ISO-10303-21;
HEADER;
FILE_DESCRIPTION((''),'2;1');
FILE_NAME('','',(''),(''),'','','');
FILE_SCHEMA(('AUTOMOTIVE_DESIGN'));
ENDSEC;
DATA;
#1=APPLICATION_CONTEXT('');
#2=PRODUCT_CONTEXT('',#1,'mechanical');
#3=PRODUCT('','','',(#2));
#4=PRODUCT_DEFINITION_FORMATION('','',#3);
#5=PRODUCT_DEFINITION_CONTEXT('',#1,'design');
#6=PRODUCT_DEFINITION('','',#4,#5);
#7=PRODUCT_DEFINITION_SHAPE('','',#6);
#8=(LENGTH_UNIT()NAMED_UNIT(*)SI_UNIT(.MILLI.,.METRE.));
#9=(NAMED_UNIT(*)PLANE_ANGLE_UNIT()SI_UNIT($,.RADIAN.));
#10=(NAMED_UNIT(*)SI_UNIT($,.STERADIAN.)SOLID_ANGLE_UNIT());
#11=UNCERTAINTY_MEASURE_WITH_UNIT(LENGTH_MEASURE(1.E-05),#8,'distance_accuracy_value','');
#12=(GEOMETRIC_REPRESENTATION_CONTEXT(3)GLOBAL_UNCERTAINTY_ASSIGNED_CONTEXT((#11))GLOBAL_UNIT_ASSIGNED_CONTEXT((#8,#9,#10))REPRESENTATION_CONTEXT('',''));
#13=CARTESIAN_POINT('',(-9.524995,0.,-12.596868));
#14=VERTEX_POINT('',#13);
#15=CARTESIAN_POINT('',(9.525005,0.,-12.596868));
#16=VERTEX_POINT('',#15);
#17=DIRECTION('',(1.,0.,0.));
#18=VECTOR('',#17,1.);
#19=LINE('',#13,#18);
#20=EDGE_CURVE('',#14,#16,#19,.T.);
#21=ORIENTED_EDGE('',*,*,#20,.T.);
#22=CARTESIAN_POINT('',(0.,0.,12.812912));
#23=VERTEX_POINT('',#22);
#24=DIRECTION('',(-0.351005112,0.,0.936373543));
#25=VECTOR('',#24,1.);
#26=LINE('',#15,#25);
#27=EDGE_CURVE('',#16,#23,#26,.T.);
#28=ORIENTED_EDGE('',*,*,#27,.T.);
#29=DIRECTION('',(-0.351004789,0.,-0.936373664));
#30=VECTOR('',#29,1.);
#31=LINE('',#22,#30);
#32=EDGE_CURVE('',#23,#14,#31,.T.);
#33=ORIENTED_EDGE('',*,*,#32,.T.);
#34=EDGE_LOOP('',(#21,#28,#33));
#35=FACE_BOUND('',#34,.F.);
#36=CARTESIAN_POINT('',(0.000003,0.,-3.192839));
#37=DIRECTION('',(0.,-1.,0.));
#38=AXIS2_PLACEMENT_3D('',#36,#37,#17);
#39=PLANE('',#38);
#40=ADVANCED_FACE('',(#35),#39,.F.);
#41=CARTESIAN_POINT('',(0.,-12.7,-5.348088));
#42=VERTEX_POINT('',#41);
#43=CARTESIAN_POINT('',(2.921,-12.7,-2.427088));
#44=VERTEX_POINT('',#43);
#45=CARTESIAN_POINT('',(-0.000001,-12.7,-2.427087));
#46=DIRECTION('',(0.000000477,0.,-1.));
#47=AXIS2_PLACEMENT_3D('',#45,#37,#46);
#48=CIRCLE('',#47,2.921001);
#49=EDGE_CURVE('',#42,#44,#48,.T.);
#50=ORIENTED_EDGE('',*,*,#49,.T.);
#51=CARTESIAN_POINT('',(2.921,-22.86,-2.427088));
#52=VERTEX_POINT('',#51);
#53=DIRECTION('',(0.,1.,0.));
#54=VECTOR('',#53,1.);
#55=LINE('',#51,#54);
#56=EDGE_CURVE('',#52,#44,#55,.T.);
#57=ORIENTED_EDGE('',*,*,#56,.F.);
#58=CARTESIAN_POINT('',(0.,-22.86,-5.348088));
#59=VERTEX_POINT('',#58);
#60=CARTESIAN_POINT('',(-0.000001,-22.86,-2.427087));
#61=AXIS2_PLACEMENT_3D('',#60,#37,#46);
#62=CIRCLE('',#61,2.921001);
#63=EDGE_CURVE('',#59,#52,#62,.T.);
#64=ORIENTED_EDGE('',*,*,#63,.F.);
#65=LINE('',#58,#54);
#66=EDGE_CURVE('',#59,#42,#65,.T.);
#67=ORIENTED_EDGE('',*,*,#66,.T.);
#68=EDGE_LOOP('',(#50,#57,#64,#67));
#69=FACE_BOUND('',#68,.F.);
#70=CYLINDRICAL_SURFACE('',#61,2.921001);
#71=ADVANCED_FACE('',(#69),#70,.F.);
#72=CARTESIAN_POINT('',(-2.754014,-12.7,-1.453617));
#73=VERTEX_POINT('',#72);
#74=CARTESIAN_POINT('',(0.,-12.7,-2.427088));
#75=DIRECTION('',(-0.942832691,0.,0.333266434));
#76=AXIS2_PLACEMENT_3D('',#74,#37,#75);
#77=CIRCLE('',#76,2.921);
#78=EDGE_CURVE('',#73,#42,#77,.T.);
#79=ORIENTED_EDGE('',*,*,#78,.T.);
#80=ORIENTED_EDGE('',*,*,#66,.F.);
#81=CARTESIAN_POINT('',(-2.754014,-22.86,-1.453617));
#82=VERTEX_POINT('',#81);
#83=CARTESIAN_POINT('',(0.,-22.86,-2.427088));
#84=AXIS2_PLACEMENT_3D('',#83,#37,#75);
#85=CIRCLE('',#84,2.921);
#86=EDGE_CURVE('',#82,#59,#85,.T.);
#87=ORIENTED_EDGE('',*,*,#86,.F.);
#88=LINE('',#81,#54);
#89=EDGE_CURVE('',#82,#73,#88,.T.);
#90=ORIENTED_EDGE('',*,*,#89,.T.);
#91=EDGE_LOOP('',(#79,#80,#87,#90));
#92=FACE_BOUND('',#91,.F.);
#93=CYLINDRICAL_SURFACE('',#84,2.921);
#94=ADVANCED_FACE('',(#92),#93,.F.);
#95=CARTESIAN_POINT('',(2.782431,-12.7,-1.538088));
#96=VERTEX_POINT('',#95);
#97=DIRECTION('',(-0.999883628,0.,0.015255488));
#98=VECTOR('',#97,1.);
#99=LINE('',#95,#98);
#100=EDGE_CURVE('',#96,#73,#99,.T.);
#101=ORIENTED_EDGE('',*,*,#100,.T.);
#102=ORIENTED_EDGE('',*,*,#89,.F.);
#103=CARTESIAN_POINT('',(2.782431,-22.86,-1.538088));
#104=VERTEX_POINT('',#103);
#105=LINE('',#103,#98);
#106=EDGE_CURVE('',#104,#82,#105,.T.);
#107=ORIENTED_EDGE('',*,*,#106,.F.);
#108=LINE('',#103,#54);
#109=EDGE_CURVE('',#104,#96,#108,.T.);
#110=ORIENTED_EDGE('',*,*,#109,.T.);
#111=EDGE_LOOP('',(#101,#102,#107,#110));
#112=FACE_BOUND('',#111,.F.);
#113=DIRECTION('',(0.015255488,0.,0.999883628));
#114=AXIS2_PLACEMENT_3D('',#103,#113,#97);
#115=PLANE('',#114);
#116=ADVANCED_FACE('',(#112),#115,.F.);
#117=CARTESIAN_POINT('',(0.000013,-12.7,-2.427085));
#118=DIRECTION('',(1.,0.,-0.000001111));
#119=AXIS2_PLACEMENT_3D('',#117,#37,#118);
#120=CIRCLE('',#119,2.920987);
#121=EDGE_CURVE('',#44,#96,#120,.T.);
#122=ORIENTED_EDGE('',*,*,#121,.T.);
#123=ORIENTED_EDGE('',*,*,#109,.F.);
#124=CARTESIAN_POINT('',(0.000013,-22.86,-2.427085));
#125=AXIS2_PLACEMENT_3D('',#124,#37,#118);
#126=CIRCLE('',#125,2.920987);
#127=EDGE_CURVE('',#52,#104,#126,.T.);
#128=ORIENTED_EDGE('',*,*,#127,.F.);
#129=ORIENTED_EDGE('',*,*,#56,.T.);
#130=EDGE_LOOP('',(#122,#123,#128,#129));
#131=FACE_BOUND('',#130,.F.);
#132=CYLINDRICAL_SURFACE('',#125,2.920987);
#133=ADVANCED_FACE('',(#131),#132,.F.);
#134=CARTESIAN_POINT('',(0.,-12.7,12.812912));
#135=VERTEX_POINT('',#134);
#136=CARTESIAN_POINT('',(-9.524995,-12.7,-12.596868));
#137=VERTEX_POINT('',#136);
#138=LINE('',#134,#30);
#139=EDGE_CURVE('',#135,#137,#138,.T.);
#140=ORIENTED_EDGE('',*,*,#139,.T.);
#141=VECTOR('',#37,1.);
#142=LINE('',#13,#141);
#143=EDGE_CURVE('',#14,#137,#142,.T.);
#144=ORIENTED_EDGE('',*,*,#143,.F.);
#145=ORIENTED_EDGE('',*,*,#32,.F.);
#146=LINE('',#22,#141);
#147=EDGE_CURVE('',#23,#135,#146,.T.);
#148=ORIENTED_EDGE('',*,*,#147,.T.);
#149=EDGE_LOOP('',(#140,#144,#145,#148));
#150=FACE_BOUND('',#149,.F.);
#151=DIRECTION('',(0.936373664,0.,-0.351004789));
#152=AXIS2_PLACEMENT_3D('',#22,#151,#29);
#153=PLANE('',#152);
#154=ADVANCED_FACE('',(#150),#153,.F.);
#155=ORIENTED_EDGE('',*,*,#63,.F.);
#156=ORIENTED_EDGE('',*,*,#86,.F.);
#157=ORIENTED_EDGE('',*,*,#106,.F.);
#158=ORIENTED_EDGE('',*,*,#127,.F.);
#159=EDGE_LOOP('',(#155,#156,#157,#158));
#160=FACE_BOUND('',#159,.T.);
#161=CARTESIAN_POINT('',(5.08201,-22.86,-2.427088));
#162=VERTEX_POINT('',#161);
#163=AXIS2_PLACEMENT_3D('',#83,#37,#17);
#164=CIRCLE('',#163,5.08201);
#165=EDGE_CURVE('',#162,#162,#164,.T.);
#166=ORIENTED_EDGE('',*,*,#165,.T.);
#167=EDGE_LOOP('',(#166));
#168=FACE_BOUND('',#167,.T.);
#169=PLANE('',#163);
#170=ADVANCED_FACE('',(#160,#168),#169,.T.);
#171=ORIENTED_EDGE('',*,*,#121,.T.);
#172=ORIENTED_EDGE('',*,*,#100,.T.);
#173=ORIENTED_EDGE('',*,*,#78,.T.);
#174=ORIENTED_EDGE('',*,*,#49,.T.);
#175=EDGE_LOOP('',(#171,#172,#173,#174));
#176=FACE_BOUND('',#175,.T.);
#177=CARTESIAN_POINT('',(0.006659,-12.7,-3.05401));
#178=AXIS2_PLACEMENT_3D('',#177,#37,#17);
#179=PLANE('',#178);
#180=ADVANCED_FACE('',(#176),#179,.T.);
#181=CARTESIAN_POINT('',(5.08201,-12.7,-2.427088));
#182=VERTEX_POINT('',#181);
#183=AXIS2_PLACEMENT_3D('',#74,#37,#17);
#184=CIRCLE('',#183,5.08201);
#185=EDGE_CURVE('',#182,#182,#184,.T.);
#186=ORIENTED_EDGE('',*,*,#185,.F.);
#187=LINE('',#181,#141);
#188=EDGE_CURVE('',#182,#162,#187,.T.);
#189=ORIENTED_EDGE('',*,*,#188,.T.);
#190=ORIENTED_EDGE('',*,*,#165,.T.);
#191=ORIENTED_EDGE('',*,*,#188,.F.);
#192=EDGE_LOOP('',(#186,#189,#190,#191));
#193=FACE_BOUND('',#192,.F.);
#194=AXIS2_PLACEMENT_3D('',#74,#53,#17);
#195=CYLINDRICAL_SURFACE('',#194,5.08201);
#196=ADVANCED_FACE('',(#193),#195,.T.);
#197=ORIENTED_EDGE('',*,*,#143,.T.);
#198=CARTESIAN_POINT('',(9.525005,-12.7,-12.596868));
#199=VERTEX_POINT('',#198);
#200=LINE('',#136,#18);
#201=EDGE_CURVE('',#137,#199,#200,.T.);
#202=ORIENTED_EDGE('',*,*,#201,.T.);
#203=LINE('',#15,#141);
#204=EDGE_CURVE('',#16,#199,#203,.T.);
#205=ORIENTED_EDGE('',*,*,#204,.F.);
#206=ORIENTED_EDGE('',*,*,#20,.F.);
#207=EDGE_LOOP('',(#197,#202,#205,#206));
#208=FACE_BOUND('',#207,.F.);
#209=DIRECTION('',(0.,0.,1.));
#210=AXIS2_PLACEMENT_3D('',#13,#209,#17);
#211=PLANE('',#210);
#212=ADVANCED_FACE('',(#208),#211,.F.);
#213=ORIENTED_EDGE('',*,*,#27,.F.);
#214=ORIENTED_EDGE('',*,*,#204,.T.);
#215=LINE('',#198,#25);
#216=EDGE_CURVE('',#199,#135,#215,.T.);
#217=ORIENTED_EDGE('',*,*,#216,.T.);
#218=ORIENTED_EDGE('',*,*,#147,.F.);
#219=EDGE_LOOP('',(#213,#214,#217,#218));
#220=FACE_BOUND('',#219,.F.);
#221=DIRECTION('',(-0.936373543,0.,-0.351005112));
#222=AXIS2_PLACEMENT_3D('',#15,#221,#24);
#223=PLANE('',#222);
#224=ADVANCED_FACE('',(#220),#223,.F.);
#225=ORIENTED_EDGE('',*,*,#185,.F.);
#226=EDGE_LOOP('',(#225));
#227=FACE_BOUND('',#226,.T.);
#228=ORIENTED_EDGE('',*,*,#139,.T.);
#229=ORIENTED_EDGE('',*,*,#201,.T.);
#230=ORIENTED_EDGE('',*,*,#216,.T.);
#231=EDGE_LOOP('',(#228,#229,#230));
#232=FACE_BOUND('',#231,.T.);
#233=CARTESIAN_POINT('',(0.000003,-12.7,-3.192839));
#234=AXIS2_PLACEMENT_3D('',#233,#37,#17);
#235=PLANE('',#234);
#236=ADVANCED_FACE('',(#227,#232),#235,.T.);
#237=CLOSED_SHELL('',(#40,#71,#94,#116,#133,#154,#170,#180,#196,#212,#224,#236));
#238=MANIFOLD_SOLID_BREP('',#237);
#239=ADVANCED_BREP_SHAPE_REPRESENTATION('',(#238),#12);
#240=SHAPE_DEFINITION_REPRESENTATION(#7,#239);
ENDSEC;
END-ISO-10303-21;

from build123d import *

# Parameters (mm, degrees)
F1_DEPTH = 12.7
F2_R     = 5.08201
F3_DEPTH = 10.16
F5_DEPTH = 10.16


with BuildPart() as f1:
    # F0 (on Front) → F1 (new body)
    with BuildSketch(Plane.XZ):
        Polygon((0, 12.812912), (-9.524995, -12.596868), (9.525005, -12.596868), align=None)
    extrude(amount=F1_DEPTH)

    # F2 (on face) → F3 (join)
    with BuildSketch(Plane.XZ.offset(12.7)):
        with Locations((0, -2.427088)):
            Circle(F2_R)
    extrude(amount=F3_DEPTH)

    # F4 (on face) → F5 (cut)
    with BuildSketch(Plane.XZ.offset(22.86)):
        with BuildLine():
            ThreePointArc((0, -5.348088), (2.065459, -4.492546), (2.921, -2.427088))
            ThreePointArc((2.921, -2.427088), (2.88615, -1.97722), (2.782431, -1.538088))
            Line((2.782431, -1.538088), (-2.754014, -1.453617))
            ThreePointArc((-2.754014, -1.453617), (-2.384927, -4.113612), (0, -5.348088))
        make_face()
    extrude(amount=-F5_DEPTH, mode=Mode.SUBTRACT)


solid = f1.part
